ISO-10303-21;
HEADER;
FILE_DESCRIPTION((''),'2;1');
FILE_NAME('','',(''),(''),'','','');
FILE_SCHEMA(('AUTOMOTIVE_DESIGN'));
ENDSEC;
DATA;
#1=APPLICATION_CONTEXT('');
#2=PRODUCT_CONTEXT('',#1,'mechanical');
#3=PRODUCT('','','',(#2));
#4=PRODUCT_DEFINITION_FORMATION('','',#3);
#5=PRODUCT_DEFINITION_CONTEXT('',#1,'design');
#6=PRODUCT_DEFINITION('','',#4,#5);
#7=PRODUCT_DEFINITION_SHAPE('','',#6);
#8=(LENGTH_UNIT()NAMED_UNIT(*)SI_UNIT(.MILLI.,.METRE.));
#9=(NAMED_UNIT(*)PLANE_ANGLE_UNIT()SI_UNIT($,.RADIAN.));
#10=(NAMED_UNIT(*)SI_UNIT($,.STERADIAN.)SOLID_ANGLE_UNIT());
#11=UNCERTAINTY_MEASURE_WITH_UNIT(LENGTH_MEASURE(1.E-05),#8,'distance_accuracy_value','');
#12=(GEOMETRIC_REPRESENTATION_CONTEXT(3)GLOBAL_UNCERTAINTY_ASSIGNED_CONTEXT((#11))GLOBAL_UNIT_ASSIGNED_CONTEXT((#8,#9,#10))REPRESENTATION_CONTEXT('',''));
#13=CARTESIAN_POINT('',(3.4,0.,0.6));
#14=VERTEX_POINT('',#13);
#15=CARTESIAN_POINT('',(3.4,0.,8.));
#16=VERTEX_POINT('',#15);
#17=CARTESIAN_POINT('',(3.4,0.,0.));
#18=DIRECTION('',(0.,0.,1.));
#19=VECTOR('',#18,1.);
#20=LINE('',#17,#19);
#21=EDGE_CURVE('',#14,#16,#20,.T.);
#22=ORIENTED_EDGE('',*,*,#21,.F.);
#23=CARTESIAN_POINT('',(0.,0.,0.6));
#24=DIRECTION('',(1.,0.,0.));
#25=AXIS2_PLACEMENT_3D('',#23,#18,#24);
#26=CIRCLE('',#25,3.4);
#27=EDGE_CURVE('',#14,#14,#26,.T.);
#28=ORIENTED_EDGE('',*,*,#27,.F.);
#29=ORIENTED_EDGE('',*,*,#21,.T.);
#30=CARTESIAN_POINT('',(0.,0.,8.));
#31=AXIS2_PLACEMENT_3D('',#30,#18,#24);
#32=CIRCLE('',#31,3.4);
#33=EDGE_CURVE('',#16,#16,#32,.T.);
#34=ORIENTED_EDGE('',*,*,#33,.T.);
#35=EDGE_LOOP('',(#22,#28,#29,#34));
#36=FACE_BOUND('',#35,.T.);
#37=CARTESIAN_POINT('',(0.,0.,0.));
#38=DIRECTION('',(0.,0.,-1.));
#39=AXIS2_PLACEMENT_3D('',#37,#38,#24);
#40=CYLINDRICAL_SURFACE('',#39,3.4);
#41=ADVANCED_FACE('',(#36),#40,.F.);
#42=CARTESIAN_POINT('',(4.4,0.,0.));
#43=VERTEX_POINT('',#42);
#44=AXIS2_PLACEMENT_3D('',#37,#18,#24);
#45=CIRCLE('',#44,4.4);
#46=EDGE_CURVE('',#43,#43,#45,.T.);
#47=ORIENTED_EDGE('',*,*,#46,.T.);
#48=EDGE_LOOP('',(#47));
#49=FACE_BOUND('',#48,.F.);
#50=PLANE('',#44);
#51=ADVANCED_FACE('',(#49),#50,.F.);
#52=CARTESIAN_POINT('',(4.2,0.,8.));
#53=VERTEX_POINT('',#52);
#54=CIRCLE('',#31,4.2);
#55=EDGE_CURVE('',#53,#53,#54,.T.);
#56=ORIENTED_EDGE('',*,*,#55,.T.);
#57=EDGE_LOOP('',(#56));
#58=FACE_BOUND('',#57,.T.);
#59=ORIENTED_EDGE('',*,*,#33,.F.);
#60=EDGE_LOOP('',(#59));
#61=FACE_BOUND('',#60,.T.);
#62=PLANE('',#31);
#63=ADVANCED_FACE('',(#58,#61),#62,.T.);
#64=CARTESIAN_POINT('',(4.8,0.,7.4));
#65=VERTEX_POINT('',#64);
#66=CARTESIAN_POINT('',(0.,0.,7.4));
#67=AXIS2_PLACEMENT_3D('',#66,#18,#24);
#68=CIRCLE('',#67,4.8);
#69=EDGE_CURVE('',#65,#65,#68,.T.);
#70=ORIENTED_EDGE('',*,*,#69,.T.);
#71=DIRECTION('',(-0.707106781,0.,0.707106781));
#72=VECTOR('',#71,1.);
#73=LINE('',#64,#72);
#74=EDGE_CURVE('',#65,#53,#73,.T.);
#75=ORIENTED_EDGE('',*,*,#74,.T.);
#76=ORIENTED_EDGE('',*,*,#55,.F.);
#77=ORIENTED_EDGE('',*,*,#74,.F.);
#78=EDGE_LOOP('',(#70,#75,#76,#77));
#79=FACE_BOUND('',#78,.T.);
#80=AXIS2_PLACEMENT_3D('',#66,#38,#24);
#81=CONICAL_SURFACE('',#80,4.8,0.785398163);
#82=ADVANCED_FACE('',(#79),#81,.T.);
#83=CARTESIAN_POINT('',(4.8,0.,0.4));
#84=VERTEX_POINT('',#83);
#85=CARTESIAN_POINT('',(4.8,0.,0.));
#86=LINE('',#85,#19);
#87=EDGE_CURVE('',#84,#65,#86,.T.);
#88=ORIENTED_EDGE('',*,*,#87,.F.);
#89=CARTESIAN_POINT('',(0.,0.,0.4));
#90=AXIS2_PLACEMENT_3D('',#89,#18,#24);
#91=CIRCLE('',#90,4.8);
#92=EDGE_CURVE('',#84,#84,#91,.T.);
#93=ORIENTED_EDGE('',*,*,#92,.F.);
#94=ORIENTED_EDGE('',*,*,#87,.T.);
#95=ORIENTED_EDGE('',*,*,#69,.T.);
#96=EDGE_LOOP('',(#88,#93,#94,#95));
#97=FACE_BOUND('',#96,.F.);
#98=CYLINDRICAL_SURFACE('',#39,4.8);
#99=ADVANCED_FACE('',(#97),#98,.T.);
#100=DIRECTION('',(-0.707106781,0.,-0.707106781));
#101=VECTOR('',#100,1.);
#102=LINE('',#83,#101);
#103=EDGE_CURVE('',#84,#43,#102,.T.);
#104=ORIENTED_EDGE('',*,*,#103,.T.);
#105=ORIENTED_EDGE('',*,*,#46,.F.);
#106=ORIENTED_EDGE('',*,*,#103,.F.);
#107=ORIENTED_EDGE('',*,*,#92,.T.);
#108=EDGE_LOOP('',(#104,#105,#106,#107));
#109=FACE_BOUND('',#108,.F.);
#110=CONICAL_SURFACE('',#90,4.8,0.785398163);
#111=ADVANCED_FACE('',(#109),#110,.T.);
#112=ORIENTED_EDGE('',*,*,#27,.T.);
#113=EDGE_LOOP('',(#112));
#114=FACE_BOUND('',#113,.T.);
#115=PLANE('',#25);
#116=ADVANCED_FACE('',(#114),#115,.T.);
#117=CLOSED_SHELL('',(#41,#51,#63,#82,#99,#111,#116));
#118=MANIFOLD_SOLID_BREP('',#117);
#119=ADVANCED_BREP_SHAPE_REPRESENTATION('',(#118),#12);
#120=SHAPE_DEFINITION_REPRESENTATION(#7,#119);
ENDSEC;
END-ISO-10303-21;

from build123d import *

# Parameters (mm, degrees)
F0_R     = 3.4
F1_DEPTH = 0.6
F0_R_2   = 4.8
F2_DEPTH = 8
F3_SIZE  = 0.4
F4_SIZE  = 0.6


with BuildPart() as f1:
    # F0 (on Top) → F1 (new body)
    with BuildSketch(Plane.XY):
        Circle(F0_R)
    extrude(amount=F1_DEPTH)

    # F0 (on Top) → F2 (join)
    with BuildSketch(Plane.XY):
        Circle(F0_R_2)
        Circle(F0_R, mode=Mode.SUBTRACT)
    extrude(amount=F2_DEPTH)

    # F3
    f3_edges = [f1.edges().sort_by_distance(p)[0] for p in [
        (-4.8, 0, 0),
    ]]
    chamfer(f3_edges, length=F3_SIZE)

    # F4
    f4_edges = [f1.edges().sort_by_distance(p)[0] for p in [
        (-4.8, 0, 8),
    ]]
    chamfer(f4_edges, length=F4_SIZE)


solid = f1.part
